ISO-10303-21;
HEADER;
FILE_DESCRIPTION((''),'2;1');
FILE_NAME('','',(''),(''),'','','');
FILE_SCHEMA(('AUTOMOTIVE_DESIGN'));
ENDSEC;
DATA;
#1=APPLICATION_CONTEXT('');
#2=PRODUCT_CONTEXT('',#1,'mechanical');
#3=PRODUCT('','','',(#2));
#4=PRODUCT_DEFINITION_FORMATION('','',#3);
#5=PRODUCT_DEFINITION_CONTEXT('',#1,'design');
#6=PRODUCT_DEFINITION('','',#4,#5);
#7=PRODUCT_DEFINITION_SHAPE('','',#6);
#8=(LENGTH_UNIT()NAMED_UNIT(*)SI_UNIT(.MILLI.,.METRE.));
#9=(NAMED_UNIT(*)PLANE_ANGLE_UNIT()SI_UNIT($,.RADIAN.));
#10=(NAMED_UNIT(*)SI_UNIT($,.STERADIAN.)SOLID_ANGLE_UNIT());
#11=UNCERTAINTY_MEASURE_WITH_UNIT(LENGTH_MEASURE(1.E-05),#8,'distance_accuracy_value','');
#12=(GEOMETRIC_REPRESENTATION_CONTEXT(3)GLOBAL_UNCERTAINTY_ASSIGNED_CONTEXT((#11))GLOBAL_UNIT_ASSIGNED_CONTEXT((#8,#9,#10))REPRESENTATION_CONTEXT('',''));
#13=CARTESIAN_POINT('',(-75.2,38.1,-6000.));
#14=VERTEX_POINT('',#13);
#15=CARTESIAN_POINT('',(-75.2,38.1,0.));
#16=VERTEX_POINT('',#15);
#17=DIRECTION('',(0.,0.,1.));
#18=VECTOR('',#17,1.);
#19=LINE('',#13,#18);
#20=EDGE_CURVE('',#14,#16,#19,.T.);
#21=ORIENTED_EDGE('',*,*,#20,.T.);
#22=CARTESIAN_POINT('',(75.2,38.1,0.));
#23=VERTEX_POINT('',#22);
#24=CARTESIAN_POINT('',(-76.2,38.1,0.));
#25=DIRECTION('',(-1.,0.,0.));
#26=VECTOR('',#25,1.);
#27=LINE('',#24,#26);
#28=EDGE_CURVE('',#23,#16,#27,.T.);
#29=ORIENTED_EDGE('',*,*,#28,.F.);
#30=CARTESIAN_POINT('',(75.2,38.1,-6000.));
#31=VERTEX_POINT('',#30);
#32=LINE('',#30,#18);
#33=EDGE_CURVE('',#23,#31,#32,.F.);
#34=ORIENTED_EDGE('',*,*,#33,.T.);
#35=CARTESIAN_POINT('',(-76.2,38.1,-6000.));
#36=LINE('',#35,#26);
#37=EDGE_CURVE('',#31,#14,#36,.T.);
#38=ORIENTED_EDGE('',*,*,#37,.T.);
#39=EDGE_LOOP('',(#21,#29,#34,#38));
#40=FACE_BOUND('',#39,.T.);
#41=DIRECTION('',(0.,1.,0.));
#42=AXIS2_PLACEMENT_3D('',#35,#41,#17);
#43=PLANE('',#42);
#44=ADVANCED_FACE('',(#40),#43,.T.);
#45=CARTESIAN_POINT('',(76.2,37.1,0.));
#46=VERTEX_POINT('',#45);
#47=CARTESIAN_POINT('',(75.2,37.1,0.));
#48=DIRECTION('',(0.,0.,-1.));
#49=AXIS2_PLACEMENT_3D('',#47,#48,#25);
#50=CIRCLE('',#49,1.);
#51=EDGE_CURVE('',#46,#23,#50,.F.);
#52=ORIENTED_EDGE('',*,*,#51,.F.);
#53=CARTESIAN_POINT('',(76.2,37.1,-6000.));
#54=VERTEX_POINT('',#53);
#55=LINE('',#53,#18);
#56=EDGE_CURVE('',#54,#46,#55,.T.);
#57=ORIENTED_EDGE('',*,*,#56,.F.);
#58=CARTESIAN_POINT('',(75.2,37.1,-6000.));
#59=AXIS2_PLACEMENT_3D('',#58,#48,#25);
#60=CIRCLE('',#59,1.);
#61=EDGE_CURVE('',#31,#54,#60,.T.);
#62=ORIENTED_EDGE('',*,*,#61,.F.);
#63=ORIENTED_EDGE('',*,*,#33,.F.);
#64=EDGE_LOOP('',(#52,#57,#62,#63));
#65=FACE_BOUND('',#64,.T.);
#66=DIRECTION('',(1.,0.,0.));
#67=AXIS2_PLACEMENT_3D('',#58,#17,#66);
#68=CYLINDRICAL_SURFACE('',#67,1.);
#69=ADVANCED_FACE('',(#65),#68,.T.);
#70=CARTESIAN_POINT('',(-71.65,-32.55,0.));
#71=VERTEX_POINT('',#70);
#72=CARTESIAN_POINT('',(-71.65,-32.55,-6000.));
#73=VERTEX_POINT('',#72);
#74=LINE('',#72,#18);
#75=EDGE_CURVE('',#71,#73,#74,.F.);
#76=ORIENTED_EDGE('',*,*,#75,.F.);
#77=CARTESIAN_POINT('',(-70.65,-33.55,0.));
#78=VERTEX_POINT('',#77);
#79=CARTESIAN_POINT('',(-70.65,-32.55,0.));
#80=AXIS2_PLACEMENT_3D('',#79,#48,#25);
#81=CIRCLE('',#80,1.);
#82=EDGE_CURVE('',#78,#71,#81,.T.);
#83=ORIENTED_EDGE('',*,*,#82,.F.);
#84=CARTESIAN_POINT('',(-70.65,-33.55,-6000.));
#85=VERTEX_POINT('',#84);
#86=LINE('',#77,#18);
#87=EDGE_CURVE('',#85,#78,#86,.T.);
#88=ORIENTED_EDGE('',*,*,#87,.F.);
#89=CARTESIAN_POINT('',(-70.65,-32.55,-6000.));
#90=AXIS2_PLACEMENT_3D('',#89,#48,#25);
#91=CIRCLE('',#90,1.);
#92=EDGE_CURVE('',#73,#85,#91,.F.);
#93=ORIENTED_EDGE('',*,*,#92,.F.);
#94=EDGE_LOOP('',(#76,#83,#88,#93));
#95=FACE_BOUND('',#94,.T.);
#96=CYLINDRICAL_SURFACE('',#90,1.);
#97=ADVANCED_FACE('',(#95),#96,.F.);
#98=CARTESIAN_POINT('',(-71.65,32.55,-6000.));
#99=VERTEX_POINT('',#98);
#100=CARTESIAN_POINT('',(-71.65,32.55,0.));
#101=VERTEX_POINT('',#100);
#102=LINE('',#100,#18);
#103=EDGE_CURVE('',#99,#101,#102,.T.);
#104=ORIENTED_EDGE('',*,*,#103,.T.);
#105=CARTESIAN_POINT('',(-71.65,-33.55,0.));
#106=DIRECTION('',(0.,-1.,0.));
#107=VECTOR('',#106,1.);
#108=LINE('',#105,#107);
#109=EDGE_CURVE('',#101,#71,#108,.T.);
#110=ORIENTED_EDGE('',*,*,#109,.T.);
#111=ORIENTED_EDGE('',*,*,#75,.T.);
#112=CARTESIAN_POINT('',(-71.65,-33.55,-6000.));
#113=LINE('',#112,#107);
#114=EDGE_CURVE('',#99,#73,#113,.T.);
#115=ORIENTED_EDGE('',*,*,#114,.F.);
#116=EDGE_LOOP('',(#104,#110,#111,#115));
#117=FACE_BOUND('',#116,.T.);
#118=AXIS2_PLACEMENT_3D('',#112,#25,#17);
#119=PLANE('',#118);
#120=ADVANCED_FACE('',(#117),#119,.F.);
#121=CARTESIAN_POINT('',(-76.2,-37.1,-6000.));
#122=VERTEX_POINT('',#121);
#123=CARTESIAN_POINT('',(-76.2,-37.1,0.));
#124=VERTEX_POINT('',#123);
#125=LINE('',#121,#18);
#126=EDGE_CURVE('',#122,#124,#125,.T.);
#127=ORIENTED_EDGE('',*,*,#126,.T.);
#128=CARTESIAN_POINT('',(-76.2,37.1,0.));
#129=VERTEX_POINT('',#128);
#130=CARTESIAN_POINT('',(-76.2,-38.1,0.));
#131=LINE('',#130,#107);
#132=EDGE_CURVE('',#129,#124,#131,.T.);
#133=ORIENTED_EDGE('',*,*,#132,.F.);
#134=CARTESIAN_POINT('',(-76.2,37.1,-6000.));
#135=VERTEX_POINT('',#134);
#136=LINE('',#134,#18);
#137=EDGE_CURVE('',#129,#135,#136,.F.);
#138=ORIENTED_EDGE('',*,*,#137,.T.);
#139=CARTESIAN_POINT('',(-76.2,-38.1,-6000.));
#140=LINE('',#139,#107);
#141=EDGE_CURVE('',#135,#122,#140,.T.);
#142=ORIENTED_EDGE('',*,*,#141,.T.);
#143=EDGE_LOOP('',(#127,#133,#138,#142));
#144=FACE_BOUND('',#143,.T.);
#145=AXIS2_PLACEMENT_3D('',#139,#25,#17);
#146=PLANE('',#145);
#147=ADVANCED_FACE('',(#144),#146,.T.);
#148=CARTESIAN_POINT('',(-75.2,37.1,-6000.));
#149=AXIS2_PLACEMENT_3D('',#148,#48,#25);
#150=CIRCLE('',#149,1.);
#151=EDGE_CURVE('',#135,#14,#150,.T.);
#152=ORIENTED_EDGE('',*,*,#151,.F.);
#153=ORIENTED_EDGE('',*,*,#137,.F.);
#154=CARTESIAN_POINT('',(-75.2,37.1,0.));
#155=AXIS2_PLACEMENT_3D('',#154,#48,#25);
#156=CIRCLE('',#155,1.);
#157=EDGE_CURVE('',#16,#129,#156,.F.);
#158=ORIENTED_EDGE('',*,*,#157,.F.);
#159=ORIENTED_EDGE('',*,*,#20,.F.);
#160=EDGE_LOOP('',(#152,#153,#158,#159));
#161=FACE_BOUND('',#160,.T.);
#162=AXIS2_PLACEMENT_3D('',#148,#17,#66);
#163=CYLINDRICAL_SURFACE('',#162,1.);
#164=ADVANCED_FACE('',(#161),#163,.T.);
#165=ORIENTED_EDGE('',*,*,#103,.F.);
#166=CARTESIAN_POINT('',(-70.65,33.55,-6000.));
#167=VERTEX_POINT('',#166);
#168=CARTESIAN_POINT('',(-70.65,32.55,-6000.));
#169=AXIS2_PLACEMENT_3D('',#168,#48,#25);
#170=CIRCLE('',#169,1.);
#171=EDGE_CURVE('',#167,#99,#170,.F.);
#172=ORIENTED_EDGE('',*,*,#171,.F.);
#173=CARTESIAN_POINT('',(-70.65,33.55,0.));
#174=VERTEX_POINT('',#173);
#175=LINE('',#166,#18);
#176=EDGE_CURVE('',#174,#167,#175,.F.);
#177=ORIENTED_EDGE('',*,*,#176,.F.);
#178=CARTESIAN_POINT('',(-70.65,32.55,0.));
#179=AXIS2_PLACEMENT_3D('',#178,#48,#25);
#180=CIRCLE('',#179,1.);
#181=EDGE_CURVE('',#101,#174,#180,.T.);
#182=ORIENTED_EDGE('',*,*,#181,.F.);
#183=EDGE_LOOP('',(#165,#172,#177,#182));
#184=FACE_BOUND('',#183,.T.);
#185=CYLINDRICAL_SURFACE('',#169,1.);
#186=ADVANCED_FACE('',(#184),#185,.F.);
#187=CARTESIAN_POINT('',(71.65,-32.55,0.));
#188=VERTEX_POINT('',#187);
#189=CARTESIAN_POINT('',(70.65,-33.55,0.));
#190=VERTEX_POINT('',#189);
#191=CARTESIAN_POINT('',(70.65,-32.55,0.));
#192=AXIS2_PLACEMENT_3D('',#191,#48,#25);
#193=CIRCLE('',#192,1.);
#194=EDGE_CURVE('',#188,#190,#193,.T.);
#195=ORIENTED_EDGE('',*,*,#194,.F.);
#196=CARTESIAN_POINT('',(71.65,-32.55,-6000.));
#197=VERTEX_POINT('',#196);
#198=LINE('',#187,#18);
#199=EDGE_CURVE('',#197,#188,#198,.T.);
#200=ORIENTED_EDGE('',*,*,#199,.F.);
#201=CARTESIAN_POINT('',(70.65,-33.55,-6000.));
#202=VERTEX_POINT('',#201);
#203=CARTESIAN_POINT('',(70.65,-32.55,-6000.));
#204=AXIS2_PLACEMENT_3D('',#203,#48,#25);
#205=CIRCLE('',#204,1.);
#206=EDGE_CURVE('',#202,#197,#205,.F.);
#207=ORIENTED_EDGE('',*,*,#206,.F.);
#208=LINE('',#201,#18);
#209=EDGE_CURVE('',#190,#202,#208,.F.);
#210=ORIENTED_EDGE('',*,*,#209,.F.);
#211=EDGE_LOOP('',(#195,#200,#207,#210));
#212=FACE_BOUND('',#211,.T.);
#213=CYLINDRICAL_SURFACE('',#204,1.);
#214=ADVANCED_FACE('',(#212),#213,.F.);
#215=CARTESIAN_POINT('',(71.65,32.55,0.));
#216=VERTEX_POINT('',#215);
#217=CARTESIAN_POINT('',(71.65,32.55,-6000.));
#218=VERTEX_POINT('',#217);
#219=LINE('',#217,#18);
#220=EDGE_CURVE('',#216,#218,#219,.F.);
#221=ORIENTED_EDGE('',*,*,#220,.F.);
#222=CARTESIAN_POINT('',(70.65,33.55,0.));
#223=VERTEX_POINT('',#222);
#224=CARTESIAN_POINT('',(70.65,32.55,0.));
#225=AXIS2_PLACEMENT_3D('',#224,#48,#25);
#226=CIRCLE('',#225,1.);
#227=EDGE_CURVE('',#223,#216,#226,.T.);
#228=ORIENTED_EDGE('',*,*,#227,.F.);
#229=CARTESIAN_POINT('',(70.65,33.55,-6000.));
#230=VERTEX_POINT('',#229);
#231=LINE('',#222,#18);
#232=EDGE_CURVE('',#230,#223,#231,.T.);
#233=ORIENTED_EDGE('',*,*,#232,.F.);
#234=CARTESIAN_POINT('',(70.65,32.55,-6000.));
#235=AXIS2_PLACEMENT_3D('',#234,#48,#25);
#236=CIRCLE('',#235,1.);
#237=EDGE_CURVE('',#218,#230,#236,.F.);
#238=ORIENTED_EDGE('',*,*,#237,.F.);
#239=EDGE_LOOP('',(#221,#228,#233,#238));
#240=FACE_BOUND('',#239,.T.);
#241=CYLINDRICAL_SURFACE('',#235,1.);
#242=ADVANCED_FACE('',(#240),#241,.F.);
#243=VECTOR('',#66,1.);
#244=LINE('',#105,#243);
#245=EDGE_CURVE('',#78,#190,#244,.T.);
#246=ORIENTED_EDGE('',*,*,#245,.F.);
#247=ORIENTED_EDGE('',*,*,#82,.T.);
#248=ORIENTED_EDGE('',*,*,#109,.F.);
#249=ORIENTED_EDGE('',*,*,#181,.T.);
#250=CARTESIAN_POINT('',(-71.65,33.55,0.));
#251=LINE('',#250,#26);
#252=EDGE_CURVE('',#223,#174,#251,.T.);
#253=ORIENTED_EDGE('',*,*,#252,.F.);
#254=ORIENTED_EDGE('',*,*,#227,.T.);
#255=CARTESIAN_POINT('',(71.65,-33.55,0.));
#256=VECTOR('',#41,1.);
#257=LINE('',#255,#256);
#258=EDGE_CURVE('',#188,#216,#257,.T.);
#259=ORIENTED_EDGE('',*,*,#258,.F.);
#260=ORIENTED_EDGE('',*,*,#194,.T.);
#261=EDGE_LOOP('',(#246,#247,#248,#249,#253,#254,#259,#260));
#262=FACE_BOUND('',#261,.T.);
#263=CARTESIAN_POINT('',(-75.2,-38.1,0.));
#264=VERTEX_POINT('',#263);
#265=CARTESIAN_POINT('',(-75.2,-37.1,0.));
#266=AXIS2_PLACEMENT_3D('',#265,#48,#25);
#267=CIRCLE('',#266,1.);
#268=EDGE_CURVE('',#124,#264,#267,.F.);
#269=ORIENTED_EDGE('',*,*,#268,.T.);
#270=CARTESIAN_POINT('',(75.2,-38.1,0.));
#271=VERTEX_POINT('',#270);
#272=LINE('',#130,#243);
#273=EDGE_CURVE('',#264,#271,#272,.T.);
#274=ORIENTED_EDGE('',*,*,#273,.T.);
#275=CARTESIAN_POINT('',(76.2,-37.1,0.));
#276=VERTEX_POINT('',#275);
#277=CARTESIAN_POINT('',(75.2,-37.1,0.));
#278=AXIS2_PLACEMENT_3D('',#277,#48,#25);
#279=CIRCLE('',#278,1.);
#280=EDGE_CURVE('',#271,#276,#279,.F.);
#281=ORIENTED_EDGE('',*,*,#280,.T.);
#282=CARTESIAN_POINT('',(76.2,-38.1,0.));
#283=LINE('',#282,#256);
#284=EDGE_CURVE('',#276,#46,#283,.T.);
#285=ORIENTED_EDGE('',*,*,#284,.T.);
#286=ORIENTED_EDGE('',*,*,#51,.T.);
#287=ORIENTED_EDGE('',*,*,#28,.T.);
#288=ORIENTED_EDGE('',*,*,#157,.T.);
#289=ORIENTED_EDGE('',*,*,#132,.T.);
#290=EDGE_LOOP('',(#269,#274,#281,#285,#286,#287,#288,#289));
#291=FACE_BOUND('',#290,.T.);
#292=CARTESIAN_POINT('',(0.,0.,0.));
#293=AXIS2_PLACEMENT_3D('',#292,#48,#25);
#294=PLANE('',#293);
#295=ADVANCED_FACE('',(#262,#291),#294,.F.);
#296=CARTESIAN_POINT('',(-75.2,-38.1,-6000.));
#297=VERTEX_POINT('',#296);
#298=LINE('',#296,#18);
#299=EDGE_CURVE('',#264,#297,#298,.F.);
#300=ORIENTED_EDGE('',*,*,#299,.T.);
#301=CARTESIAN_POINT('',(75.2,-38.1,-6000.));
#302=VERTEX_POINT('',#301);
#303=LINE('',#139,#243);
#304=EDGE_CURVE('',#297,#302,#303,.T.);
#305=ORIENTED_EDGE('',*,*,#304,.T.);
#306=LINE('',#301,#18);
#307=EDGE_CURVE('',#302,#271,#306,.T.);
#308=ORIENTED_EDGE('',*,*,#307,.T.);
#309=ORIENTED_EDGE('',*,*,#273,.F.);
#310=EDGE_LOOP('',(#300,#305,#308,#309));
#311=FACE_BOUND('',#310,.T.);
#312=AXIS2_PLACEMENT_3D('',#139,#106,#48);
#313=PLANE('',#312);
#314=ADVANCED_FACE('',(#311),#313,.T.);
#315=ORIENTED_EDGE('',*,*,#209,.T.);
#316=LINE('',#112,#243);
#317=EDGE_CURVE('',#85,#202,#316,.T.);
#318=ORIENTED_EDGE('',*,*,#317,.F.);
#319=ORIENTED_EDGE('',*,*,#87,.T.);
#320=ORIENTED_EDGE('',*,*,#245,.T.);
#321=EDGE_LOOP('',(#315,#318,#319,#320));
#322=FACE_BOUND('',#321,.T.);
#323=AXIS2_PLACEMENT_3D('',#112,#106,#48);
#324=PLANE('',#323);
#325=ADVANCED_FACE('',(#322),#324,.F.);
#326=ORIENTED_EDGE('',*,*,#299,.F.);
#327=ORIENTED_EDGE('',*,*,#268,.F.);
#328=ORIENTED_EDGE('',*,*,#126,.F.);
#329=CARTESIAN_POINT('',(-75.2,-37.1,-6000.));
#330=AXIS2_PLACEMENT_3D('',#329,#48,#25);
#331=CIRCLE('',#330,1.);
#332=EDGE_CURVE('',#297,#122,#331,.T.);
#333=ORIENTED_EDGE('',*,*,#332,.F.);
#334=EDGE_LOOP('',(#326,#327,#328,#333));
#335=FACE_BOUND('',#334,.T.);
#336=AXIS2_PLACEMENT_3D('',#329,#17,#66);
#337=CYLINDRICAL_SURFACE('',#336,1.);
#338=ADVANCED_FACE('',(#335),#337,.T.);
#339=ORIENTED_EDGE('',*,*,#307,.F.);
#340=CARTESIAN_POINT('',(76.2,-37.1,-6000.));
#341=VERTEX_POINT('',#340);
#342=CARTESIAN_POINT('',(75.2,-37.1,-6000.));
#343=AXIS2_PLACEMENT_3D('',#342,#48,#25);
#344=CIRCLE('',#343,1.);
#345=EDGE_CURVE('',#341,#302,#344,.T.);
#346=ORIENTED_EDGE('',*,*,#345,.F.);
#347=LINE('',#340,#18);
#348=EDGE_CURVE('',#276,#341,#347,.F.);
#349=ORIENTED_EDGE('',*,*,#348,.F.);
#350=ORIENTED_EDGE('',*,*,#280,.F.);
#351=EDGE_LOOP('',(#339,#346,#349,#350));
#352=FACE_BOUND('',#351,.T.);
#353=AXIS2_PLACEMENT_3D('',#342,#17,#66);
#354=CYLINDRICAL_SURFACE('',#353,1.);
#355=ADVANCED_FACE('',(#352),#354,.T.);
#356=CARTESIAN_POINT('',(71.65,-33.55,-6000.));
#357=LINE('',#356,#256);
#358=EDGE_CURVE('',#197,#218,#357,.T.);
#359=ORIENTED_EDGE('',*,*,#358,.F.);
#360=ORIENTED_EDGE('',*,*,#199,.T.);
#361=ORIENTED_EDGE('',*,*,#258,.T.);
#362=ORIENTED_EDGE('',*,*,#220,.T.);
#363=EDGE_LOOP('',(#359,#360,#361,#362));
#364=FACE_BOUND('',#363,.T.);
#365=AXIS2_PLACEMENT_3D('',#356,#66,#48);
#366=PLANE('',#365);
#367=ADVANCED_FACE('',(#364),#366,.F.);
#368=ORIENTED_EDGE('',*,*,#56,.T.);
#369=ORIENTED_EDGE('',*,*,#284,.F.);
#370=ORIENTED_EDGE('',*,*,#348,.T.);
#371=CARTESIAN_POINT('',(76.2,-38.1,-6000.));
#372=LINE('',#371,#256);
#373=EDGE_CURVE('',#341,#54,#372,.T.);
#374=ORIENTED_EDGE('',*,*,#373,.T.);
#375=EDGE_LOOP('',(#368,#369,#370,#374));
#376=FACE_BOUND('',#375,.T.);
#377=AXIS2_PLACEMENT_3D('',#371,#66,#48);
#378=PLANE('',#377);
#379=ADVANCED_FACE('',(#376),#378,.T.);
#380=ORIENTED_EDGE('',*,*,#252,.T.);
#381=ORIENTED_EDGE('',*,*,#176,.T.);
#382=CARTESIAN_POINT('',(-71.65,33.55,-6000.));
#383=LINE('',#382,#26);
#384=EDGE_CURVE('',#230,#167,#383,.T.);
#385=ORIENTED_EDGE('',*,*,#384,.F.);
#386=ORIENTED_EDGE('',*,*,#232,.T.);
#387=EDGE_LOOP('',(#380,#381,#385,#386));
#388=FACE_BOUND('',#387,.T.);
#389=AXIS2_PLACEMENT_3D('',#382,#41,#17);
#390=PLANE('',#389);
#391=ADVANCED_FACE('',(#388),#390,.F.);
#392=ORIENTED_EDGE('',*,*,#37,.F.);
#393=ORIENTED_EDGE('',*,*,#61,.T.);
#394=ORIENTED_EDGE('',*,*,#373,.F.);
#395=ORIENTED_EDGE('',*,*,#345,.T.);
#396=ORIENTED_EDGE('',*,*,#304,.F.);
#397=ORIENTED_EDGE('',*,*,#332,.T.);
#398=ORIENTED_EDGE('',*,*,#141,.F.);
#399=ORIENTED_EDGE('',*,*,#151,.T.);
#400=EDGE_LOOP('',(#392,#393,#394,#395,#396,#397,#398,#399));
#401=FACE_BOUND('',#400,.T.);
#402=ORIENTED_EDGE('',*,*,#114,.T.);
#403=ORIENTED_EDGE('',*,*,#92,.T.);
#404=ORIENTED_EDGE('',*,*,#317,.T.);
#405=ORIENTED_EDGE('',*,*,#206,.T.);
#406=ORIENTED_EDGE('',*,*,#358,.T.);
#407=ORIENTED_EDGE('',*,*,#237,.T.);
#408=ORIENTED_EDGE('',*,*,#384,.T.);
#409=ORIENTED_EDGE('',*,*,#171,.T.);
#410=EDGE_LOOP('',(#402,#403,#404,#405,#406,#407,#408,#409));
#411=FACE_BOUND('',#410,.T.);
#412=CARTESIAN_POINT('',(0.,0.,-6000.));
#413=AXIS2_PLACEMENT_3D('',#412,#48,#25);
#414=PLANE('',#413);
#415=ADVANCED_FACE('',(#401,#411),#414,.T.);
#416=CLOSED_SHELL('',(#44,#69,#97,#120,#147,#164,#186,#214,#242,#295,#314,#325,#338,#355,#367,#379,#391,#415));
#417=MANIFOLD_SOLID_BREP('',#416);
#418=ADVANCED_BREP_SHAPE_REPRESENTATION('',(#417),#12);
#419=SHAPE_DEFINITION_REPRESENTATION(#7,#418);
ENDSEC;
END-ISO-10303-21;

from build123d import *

# Parameters (mm, degrees)
CROQUIS1_W              = 152.4
CROQUIS1_H              = 76.2
CROQUIS1_W_2            = 143.3
CROQUIS1_H_2            = 67.1
SALIENTE_EXTRUIR1_DEPTH = 6000
REDONDEO1_R             = 1


with BuildPart() as part:
    # Croquis1 → Saliente-Extruir1 (new body)
    with BuildSketch(Plane.XY):
        Rectangle(CROQUIS1_W, CROQUIS1_H)
        Rectangle(CROQUIS1_W_2, CROQUIS1_H_2, mode=Mode.SUBTRACT)
    extrude(amount=-SALIENTE_EXTRUIR1_DEPTH)

    # Redondeo1
    redondeo1_edges = [part.edges().sort_by_distance(p)[0] for p in [
        (71.65, -33.55, -3000),
        (-71.65, -33.55, -3000),
        (-71.65, 33.55, -3000),
        (71.65, 33.55, -3000),
        (76.2, -38.1, -3000),
        (-76.2, -38.1, -3000),
        (-76.2, 38.1, -3000),
        (76.2, 38.1, -3000),
    ]]
    fillet(redondeo1_edges, radius=REDONDEO1_R)


solid = part.part
